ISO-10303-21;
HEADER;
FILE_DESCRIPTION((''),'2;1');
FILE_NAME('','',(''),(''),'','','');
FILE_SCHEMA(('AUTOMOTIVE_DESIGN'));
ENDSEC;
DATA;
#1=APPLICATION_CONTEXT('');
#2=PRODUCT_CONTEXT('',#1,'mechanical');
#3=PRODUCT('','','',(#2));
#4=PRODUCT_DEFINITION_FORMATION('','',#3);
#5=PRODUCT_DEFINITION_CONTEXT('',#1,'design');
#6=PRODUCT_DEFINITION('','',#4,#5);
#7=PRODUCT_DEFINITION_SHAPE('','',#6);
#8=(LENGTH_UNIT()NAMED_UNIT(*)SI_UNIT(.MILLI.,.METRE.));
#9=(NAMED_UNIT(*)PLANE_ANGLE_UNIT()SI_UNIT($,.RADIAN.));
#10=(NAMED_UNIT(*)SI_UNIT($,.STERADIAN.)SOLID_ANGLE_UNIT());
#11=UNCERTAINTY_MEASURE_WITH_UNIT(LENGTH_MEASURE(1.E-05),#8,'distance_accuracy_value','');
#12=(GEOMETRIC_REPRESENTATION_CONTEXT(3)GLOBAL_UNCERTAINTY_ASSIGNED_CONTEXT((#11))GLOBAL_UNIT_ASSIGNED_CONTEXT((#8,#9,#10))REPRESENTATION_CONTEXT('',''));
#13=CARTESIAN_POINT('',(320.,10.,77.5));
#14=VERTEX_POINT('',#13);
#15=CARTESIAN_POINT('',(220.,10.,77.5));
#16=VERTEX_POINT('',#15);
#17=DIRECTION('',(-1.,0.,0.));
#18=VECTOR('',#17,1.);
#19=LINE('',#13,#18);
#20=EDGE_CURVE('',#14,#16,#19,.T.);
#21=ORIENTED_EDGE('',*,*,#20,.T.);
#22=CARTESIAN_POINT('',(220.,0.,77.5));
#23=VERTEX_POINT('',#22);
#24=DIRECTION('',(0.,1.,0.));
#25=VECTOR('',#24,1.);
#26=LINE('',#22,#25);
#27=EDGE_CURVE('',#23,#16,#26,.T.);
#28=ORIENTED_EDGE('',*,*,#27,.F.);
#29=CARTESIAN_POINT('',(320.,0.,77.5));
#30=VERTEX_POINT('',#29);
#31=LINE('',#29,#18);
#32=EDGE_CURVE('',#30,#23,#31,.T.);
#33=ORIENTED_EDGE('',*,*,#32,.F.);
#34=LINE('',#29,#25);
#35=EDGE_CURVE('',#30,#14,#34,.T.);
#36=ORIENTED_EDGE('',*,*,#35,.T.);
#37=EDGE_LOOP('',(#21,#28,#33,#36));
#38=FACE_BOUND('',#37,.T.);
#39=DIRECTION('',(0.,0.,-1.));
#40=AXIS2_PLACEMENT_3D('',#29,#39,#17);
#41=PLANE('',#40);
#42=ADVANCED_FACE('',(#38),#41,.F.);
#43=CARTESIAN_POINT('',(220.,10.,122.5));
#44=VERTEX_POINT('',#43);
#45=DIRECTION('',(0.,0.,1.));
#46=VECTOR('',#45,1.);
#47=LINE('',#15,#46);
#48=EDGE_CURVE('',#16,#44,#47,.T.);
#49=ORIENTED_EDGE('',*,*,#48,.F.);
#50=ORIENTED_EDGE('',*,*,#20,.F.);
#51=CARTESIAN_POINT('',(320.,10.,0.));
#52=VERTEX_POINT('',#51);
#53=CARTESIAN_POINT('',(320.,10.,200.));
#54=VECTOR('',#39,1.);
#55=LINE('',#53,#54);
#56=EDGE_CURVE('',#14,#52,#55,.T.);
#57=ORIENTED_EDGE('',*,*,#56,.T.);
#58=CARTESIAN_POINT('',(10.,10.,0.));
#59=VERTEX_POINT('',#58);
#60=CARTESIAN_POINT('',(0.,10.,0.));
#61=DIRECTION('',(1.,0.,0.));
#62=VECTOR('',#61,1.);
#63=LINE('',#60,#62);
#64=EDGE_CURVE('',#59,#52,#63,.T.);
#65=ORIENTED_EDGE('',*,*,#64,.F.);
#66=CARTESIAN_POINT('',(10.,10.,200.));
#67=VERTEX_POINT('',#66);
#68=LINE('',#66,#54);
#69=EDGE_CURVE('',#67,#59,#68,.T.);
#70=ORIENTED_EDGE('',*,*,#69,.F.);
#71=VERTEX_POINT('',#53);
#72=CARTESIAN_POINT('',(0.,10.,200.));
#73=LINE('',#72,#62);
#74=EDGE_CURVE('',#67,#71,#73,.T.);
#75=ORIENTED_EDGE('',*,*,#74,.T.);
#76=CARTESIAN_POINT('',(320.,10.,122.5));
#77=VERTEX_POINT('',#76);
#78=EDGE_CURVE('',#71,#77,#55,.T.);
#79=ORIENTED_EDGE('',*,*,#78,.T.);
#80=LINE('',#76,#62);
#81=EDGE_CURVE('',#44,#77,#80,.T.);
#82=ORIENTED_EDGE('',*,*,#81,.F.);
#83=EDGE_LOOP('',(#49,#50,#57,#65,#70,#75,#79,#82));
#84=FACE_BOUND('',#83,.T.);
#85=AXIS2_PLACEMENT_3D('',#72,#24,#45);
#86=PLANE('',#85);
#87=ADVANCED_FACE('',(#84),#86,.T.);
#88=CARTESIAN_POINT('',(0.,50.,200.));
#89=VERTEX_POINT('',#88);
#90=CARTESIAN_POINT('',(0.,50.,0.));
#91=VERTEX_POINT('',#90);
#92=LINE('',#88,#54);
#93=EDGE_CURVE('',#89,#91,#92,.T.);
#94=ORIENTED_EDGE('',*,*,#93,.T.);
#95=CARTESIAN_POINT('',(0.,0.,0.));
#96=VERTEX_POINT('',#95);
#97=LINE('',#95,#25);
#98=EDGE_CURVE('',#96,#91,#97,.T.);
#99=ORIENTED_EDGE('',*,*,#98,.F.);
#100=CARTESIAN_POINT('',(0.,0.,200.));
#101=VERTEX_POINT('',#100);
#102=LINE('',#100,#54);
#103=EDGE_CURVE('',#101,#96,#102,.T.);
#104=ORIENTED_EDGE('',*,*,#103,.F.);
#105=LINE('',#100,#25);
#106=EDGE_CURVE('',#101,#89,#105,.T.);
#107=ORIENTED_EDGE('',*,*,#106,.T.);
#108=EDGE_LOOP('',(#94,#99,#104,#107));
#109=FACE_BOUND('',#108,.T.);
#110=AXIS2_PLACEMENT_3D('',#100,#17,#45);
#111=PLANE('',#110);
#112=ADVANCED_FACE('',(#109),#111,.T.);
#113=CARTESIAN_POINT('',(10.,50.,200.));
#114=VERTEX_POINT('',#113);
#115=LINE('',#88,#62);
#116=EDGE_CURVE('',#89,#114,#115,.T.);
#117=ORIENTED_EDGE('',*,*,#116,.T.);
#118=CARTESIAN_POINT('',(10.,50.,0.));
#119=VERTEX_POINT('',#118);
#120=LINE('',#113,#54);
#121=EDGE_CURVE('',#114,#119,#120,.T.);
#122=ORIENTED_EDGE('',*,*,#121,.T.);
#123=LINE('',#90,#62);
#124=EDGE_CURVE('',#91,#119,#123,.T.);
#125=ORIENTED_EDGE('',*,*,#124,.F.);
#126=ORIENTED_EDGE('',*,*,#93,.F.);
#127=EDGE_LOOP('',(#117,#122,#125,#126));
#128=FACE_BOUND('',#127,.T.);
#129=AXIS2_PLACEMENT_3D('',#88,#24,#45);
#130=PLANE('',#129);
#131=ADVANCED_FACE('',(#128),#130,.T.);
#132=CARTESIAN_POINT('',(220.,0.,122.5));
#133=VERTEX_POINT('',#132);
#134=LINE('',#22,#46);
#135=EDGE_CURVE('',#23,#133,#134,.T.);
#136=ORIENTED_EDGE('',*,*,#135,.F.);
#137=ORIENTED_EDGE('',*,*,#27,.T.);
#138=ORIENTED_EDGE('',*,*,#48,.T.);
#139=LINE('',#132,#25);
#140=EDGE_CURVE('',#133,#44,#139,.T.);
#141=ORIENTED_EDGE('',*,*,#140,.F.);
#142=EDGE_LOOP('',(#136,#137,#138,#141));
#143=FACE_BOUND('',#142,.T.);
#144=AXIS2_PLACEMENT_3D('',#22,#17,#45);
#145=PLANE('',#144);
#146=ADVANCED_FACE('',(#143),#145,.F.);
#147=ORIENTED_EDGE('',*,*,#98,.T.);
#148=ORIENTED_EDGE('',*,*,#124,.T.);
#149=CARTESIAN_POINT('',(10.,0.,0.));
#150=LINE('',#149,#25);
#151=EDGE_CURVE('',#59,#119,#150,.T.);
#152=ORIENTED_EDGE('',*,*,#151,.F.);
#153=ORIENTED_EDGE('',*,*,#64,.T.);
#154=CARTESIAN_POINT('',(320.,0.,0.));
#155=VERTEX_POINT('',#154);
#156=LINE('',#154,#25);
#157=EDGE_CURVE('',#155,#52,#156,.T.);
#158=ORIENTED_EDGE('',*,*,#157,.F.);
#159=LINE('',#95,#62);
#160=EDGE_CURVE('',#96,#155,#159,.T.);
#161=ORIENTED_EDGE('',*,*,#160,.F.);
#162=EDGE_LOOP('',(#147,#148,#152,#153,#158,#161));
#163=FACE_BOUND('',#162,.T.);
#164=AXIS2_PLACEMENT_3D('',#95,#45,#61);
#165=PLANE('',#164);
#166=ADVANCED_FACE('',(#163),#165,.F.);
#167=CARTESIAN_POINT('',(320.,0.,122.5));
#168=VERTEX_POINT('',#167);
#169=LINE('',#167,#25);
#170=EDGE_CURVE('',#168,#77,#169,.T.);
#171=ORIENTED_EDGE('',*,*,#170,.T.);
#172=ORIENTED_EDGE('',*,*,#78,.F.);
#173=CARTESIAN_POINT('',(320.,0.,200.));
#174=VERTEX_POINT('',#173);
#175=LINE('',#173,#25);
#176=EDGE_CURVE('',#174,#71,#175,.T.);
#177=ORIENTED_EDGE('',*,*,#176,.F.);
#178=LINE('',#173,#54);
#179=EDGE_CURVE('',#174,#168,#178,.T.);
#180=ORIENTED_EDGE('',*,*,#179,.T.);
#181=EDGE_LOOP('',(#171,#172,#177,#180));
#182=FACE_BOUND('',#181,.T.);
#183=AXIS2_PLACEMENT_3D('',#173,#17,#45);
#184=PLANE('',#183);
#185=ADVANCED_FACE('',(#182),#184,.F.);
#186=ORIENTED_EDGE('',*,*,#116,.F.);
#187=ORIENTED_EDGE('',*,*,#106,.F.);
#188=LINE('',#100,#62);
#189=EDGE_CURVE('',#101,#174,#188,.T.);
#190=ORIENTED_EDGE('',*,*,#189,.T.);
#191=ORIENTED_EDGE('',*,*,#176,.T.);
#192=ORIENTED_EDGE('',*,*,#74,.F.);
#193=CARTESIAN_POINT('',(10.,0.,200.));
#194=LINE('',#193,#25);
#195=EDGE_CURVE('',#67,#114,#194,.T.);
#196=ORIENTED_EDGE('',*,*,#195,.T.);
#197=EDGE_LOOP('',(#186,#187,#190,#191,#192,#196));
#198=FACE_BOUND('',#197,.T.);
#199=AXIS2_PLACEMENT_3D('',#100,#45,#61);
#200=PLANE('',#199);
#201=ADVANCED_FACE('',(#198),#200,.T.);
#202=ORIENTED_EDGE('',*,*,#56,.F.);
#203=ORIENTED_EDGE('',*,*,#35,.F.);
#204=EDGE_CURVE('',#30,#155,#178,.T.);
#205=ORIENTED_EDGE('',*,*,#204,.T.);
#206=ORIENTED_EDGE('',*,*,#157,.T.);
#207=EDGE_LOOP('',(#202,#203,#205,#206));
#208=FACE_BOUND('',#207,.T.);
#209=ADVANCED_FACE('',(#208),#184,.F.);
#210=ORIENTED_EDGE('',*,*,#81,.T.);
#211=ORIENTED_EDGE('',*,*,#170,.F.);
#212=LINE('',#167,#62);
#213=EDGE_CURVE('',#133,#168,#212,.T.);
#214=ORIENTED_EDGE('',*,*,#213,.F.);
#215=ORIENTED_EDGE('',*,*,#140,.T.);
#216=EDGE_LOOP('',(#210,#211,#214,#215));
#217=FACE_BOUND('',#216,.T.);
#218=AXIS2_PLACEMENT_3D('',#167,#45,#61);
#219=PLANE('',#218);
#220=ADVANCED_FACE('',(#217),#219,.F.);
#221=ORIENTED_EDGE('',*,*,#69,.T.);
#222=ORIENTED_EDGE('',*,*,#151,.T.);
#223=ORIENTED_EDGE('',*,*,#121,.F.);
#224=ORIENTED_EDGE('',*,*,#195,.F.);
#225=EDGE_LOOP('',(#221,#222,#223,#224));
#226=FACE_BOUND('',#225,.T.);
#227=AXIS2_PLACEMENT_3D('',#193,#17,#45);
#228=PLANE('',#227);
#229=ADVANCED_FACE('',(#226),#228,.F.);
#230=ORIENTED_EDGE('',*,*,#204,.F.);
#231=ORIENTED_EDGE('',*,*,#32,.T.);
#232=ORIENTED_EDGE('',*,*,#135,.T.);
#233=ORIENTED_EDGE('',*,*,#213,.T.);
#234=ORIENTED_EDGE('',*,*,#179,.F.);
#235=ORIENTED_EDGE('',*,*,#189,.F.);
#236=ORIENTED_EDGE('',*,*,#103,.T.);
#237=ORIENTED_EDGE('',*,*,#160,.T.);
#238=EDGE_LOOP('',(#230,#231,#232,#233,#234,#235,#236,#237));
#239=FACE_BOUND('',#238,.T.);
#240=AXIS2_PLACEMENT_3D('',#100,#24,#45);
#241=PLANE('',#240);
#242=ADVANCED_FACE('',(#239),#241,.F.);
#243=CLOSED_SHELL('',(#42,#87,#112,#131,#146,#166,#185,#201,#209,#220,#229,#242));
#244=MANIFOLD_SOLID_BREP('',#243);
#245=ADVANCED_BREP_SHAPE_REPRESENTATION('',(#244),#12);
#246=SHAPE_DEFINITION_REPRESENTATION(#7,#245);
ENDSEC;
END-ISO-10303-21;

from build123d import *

# Parameters (mm, degrees)
ESQUISSE1_W             = 310
ESQUISSE1_H             = 10
ESQUISSE1_W_2           = 10
ESQUISSE1_H_2           = 40
BOSS_EXTRU_1_DEPTH      = 200
ESQUISSE4_W             = 100
ESQUISSE4_H             = 45
ENL_V_MAT_EXTRU_1_DEPTH = 10


with BuildPart() as part:
    # Esquisse1 → Boss.-Extru.1 (new body)
    with BuildSketch(Plane.XY):
        with Locations((165, 5)):
            Rectangle(ESQUISSE1_W, ESQUISSE1_H)
        with Locations((5, 30)):
            Rectangle(ESQUISSE1_W_2, ESQUISSE1_H_2)
        with Locations((5, 5)):
            Rectangle(ESQUISSE1_W_2, ESQUISSE1_H)
    extrude(amount=BOSS_EXTRU_1_DEPTH)

    # Esquisse4 → Enlèv. mat.-Extru.1 (cut)
    with BuildSketch(Plane(origin=(0, 10, 0), x_dir=(1, 0, 0), z_dir=(0, 1, 0))):
        with Locations((270, -100)):
            Rectangle(ESQUISSE4_W, ESQUISSE4_H)
    extrude(amount=-ENL_V_MAT_EXTRU_1_DEPTH, mode=Mode.SUBTRACT)


solid = part.part
